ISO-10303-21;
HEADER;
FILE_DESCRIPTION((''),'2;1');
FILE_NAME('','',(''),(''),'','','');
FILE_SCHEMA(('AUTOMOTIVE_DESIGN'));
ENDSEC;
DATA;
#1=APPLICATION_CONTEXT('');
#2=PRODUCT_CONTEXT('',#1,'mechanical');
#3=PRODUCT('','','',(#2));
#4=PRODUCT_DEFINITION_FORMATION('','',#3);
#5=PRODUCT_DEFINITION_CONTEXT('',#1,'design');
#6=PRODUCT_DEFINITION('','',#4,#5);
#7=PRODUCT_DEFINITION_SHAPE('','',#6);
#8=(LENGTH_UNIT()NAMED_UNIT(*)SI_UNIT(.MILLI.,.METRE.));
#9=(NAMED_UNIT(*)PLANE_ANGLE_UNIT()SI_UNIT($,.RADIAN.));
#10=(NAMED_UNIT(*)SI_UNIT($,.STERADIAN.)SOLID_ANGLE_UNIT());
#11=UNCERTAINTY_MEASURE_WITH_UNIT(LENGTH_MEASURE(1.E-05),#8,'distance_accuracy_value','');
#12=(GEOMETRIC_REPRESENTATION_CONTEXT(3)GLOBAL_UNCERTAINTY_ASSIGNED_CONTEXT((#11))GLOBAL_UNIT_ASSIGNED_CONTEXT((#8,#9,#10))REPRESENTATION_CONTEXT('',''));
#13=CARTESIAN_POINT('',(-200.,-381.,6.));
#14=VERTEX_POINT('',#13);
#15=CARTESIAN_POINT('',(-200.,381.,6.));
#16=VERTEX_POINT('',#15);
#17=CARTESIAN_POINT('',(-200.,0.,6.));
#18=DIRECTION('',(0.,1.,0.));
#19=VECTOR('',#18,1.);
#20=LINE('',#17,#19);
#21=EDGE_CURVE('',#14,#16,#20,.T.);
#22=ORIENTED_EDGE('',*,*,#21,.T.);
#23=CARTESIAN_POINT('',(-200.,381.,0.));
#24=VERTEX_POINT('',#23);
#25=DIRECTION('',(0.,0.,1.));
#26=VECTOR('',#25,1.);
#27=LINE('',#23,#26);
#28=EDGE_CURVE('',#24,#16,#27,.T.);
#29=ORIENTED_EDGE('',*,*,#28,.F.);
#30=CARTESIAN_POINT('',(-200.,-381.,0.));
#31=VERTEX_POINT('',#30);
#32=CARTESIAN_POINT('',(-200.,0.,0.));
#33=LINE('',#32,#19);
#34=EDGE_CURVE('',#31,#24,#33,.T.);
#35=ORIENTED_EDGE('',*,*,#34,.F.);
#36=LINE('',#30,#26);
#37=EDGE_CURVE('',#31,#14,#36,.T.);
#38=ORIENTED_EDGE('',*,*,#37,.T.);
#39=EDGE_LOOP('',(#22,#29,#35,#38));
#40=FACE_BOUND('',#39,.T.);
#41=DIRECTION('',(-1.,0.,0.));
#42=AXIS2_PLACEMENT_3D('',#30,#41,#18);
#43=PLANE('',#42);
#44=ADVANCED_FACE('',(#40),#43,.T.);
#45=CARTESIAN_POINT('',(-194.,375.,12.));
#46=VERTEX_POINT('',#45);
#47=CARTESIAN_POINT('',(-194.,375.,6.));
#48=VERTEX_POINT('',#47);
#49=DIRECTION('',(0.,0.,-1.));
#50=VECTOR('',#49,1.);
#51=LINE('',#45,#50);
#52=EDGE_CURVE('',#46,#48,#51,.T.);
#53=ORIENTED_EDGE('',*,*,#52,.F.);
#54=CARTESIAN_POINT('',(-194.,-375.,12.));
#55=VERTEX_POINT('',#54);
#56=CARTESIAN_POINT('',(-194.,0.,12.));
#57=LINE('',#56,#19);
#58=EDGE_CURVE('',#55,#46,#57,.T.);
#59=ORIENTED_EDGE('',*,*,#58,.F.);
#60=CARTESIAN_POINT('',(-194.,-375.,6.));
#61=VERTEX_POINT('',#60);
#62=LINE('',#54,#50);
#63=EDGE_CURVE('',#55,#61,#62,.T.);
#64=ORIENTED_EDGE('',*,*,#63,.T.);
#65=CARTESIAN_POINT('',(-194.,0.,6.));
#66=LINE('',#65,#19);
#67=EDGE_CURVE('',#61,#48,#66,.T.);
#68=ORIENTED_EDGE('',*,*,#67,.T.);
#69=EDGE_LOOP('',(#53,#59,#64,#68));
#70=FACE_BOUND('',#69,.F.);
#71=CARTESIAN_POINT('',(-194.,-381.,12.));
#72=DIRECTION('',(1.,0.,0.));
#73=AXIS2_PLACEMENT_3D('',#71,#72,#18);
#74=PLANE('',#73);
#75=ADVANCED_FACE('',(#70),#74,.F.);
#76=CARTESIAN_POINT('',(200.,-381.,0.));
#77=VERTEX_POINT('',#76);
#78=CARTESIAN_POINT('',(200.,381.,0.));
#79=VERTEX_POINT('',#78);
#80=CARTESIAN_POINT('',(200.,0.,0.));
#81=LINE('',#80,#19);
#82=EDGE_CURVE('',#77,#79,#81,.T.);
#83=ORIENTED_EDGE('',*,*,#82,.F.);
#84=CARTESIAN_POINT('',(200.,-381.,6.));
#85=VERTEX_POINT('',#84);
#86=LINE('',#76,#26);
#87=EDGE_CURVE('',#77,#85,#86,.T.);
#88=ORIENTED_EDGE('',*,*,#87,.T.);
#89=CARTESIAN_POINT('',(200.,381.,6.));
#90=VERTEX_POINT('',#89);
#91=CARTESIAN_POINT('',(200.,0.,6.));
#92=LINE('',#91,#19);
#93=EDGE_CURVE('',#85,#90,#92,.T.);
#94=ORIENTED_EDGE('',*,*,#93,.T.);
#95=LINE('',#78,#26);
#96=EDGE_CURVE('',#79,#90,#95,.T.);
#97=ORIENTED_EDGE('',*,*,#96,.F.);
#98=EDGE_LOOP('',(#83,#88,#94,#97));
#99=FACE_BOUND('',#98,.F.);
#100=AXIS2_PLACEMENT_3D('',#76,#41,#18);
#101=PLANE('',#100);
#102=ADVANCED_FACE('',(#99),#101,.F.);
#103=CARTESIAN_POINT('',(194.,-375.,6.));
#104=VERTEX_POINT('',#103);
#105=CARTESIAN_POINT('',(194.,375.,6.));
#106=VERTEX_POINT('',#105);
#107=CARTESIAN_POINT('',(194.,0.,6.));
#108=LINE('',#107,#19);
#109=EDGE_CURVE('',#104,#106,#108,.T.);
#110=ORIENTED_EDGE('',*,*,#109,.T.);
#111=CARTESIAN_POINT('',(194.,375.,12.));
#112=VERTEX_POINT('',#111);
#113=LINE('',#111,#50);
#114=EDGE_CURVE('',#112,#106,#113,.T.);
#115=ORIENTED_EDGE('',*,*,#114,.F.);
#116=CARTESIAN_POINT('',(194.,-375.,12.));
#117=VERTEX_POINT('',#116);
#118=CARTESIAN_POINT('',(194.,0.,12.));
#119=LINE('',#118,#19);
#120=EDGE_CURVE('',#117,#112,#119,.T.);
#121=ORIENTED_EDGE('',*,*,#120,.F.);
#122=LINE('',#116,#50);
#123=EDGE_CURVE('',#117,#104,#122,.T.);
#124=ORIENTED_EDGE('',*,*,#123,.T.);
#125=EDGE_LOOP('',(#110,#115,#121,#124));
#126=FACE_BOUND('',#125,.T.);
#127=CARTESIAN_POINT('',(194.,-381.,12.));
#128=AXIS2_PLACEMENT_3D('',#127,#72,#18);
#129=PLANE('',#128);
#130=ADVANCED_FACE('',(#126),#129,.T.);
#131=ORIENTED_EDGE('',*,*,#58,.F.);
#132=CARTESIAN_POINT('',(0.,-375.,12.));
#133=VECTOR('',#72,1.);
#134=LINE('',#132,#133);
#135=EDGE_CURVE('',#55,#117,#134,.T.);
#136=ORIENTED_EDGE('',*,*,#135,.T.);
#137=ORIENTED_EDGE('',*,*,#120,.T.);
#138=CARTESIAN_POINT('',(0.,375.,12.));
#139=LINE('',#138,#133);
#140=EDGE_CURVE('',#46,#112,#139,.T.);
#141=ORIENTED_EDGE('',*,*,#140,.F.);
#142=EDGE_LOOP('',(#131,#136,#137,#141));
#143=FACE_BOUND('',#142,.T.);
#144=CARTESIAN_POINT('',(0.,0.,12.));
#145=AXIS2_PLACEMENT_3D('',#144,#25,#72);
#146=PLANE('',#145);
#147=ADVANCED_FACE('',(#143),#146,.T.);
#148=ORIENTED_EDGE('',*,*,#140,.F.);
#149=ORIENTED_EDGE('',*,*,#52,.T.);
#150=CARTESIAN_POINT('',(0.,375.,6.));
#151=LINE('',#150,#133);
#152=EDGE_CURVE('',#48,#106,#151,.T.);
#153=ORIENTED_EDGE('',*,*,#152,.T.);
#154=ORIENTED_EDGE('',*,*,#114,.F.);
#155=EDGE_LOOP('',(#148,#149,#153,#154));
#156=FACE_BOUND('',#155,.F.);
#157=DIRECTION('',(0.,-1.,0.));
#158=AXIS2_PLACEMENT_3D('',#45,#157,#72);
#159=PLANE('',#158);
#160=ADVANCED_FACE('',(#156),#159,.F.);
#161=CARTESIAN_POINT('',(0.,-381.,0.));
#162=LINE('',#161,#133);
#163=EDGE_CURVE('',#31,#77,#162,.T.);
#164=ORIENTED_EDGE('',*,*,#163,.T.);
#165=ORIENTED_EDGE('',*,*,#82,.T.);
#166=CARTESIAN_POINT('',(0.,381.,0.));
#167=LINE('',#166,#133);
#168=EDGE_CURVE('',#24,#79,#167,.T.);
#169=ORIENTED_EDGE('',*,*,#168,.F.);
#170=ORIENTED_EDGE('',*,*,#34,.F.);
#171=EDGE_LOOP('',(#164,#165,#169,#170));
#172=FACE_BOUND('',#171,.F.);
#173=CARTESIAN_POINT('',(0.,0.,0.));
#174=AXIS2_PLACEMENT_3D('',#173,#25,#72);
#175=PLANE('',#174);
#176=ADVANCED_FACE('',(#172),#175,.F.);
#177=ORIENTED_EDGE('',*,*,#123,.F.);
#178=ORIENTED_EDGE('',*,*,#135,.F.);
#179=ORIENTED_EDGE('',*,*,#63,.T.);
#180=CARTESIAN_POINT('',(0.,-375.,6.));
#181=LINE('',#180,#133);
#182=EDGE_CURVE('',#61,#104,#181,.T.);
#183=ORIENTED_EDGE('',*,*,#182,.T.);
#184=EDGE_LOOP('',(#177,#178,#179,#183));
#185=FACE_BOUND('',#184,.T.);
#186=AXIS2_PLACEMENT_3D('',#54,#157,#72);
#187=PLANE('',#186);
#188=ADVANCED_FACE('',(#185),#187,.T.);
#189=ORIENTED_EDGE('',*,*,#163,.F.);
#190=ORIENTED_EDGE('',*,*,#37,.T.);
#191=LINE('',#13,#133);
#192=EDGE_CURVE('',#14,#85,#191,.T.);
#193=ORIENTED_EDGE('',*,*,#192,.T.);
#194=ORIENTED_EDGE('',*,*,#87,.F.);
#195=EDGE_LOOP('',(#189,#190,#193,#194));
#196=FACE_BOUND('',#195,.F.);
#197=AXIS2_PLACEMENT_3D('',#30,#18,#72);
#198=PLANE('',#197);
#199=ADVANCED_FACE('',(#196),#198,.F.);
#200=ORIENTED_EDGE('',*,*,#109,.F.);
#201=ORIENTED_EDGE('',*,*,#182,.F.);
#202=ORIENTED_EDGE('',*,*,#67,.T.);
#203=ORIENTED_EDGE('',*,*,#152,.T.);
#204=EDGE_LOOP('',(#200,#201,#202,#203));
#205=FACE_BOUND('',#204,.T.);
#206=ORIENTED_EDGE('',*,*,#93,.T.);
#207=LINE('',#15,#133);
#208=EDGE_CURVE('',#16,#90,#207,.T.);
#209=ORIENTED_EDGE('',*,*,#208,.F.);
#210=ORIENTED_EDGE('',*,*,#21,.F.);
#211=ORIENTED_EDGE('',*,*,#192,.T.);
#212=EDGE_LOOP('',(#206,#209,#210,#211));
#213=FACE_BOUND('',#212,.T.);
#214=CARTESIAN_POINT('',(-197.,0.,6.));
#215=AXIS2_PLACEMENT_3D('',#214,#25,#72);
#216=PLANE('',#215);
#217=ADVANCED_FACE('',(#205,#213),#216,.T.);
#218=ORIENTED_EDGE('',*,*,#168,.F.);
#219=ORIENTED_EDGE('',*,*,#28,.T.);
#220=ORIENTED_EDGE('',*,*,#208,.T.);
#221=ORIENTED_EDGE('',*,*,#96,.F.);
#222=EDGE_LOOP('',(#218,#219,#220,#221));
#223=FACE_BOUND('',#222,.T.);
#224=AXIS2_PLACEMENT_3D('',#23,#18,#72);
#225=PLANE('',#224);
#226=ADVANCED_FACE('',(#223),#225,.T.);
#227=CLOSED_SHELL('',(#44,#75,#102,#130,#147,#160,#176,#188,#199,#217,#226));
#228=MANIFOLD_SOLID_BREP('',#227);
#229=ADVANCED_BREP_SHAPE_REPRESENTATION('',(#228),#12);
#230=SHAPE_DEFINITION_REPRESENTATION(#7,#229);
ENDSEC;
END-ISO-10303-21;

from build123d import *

# Parameters (mm, degrees)
F0_W     = 400
F0_H     = 762
F1_DEPTH = 12
F2_W     = 6
F2_H     = 762
F3_DEPTH = 6
F4_W     = 6
F4_H     = 762
F5_DEPTH = 6
F6_W     = 388
F6_H     = 6
F7_DEPTH = 6
F8_W     = 388
F8_H     = 6
F9_DEPTH = 6


with BuildPart() as f1:
    # F0 (on Top) → F1 (new body)
    with BuildSketch(Plane.XY):
        Rectangle(F0_W, F0_H)
    extrude(amount=F1_DEPTH)

    # F2 (on face) → F3 (cut)
    with BuildSketch(Plane.XY.offset(12)):
        with Locations((-197, 0)):
            Rectangle(F2_W, F2_H)
    extrude(amount=-F3_DEPTH, mode=Mode.SUBTRACT)

    # F4 (on face) → F5 (cut)
    with BuildSketch(Plane.XY.offset(12)):
        with Locations((197, 0)):
            Rectangle(F4_W, F4_H)
    extrude(amount=-F5_DEPTH, mode=Mode.SUBTRACT)

    # F6 (on face) → F7 (cut)
    with BuildSketch(Plane.XY.offset(12)):
        with Locations((0, 378)):
            Rectangle(F6_W, F6_H)
    extrude(amount=-F7_DEPTH, mode=Mode.SUBTRACT)

    # F8 (on face) → F9 (cut)
    with BuildSketch(Plane.XY.offset(12)):
        with Locations((0, -378)):
            Rectangle(F8_W, F8_H)
    extrude(amount=-F9_DEPTH, mode=Mode.SUBTRACT)


solid = f1.part
